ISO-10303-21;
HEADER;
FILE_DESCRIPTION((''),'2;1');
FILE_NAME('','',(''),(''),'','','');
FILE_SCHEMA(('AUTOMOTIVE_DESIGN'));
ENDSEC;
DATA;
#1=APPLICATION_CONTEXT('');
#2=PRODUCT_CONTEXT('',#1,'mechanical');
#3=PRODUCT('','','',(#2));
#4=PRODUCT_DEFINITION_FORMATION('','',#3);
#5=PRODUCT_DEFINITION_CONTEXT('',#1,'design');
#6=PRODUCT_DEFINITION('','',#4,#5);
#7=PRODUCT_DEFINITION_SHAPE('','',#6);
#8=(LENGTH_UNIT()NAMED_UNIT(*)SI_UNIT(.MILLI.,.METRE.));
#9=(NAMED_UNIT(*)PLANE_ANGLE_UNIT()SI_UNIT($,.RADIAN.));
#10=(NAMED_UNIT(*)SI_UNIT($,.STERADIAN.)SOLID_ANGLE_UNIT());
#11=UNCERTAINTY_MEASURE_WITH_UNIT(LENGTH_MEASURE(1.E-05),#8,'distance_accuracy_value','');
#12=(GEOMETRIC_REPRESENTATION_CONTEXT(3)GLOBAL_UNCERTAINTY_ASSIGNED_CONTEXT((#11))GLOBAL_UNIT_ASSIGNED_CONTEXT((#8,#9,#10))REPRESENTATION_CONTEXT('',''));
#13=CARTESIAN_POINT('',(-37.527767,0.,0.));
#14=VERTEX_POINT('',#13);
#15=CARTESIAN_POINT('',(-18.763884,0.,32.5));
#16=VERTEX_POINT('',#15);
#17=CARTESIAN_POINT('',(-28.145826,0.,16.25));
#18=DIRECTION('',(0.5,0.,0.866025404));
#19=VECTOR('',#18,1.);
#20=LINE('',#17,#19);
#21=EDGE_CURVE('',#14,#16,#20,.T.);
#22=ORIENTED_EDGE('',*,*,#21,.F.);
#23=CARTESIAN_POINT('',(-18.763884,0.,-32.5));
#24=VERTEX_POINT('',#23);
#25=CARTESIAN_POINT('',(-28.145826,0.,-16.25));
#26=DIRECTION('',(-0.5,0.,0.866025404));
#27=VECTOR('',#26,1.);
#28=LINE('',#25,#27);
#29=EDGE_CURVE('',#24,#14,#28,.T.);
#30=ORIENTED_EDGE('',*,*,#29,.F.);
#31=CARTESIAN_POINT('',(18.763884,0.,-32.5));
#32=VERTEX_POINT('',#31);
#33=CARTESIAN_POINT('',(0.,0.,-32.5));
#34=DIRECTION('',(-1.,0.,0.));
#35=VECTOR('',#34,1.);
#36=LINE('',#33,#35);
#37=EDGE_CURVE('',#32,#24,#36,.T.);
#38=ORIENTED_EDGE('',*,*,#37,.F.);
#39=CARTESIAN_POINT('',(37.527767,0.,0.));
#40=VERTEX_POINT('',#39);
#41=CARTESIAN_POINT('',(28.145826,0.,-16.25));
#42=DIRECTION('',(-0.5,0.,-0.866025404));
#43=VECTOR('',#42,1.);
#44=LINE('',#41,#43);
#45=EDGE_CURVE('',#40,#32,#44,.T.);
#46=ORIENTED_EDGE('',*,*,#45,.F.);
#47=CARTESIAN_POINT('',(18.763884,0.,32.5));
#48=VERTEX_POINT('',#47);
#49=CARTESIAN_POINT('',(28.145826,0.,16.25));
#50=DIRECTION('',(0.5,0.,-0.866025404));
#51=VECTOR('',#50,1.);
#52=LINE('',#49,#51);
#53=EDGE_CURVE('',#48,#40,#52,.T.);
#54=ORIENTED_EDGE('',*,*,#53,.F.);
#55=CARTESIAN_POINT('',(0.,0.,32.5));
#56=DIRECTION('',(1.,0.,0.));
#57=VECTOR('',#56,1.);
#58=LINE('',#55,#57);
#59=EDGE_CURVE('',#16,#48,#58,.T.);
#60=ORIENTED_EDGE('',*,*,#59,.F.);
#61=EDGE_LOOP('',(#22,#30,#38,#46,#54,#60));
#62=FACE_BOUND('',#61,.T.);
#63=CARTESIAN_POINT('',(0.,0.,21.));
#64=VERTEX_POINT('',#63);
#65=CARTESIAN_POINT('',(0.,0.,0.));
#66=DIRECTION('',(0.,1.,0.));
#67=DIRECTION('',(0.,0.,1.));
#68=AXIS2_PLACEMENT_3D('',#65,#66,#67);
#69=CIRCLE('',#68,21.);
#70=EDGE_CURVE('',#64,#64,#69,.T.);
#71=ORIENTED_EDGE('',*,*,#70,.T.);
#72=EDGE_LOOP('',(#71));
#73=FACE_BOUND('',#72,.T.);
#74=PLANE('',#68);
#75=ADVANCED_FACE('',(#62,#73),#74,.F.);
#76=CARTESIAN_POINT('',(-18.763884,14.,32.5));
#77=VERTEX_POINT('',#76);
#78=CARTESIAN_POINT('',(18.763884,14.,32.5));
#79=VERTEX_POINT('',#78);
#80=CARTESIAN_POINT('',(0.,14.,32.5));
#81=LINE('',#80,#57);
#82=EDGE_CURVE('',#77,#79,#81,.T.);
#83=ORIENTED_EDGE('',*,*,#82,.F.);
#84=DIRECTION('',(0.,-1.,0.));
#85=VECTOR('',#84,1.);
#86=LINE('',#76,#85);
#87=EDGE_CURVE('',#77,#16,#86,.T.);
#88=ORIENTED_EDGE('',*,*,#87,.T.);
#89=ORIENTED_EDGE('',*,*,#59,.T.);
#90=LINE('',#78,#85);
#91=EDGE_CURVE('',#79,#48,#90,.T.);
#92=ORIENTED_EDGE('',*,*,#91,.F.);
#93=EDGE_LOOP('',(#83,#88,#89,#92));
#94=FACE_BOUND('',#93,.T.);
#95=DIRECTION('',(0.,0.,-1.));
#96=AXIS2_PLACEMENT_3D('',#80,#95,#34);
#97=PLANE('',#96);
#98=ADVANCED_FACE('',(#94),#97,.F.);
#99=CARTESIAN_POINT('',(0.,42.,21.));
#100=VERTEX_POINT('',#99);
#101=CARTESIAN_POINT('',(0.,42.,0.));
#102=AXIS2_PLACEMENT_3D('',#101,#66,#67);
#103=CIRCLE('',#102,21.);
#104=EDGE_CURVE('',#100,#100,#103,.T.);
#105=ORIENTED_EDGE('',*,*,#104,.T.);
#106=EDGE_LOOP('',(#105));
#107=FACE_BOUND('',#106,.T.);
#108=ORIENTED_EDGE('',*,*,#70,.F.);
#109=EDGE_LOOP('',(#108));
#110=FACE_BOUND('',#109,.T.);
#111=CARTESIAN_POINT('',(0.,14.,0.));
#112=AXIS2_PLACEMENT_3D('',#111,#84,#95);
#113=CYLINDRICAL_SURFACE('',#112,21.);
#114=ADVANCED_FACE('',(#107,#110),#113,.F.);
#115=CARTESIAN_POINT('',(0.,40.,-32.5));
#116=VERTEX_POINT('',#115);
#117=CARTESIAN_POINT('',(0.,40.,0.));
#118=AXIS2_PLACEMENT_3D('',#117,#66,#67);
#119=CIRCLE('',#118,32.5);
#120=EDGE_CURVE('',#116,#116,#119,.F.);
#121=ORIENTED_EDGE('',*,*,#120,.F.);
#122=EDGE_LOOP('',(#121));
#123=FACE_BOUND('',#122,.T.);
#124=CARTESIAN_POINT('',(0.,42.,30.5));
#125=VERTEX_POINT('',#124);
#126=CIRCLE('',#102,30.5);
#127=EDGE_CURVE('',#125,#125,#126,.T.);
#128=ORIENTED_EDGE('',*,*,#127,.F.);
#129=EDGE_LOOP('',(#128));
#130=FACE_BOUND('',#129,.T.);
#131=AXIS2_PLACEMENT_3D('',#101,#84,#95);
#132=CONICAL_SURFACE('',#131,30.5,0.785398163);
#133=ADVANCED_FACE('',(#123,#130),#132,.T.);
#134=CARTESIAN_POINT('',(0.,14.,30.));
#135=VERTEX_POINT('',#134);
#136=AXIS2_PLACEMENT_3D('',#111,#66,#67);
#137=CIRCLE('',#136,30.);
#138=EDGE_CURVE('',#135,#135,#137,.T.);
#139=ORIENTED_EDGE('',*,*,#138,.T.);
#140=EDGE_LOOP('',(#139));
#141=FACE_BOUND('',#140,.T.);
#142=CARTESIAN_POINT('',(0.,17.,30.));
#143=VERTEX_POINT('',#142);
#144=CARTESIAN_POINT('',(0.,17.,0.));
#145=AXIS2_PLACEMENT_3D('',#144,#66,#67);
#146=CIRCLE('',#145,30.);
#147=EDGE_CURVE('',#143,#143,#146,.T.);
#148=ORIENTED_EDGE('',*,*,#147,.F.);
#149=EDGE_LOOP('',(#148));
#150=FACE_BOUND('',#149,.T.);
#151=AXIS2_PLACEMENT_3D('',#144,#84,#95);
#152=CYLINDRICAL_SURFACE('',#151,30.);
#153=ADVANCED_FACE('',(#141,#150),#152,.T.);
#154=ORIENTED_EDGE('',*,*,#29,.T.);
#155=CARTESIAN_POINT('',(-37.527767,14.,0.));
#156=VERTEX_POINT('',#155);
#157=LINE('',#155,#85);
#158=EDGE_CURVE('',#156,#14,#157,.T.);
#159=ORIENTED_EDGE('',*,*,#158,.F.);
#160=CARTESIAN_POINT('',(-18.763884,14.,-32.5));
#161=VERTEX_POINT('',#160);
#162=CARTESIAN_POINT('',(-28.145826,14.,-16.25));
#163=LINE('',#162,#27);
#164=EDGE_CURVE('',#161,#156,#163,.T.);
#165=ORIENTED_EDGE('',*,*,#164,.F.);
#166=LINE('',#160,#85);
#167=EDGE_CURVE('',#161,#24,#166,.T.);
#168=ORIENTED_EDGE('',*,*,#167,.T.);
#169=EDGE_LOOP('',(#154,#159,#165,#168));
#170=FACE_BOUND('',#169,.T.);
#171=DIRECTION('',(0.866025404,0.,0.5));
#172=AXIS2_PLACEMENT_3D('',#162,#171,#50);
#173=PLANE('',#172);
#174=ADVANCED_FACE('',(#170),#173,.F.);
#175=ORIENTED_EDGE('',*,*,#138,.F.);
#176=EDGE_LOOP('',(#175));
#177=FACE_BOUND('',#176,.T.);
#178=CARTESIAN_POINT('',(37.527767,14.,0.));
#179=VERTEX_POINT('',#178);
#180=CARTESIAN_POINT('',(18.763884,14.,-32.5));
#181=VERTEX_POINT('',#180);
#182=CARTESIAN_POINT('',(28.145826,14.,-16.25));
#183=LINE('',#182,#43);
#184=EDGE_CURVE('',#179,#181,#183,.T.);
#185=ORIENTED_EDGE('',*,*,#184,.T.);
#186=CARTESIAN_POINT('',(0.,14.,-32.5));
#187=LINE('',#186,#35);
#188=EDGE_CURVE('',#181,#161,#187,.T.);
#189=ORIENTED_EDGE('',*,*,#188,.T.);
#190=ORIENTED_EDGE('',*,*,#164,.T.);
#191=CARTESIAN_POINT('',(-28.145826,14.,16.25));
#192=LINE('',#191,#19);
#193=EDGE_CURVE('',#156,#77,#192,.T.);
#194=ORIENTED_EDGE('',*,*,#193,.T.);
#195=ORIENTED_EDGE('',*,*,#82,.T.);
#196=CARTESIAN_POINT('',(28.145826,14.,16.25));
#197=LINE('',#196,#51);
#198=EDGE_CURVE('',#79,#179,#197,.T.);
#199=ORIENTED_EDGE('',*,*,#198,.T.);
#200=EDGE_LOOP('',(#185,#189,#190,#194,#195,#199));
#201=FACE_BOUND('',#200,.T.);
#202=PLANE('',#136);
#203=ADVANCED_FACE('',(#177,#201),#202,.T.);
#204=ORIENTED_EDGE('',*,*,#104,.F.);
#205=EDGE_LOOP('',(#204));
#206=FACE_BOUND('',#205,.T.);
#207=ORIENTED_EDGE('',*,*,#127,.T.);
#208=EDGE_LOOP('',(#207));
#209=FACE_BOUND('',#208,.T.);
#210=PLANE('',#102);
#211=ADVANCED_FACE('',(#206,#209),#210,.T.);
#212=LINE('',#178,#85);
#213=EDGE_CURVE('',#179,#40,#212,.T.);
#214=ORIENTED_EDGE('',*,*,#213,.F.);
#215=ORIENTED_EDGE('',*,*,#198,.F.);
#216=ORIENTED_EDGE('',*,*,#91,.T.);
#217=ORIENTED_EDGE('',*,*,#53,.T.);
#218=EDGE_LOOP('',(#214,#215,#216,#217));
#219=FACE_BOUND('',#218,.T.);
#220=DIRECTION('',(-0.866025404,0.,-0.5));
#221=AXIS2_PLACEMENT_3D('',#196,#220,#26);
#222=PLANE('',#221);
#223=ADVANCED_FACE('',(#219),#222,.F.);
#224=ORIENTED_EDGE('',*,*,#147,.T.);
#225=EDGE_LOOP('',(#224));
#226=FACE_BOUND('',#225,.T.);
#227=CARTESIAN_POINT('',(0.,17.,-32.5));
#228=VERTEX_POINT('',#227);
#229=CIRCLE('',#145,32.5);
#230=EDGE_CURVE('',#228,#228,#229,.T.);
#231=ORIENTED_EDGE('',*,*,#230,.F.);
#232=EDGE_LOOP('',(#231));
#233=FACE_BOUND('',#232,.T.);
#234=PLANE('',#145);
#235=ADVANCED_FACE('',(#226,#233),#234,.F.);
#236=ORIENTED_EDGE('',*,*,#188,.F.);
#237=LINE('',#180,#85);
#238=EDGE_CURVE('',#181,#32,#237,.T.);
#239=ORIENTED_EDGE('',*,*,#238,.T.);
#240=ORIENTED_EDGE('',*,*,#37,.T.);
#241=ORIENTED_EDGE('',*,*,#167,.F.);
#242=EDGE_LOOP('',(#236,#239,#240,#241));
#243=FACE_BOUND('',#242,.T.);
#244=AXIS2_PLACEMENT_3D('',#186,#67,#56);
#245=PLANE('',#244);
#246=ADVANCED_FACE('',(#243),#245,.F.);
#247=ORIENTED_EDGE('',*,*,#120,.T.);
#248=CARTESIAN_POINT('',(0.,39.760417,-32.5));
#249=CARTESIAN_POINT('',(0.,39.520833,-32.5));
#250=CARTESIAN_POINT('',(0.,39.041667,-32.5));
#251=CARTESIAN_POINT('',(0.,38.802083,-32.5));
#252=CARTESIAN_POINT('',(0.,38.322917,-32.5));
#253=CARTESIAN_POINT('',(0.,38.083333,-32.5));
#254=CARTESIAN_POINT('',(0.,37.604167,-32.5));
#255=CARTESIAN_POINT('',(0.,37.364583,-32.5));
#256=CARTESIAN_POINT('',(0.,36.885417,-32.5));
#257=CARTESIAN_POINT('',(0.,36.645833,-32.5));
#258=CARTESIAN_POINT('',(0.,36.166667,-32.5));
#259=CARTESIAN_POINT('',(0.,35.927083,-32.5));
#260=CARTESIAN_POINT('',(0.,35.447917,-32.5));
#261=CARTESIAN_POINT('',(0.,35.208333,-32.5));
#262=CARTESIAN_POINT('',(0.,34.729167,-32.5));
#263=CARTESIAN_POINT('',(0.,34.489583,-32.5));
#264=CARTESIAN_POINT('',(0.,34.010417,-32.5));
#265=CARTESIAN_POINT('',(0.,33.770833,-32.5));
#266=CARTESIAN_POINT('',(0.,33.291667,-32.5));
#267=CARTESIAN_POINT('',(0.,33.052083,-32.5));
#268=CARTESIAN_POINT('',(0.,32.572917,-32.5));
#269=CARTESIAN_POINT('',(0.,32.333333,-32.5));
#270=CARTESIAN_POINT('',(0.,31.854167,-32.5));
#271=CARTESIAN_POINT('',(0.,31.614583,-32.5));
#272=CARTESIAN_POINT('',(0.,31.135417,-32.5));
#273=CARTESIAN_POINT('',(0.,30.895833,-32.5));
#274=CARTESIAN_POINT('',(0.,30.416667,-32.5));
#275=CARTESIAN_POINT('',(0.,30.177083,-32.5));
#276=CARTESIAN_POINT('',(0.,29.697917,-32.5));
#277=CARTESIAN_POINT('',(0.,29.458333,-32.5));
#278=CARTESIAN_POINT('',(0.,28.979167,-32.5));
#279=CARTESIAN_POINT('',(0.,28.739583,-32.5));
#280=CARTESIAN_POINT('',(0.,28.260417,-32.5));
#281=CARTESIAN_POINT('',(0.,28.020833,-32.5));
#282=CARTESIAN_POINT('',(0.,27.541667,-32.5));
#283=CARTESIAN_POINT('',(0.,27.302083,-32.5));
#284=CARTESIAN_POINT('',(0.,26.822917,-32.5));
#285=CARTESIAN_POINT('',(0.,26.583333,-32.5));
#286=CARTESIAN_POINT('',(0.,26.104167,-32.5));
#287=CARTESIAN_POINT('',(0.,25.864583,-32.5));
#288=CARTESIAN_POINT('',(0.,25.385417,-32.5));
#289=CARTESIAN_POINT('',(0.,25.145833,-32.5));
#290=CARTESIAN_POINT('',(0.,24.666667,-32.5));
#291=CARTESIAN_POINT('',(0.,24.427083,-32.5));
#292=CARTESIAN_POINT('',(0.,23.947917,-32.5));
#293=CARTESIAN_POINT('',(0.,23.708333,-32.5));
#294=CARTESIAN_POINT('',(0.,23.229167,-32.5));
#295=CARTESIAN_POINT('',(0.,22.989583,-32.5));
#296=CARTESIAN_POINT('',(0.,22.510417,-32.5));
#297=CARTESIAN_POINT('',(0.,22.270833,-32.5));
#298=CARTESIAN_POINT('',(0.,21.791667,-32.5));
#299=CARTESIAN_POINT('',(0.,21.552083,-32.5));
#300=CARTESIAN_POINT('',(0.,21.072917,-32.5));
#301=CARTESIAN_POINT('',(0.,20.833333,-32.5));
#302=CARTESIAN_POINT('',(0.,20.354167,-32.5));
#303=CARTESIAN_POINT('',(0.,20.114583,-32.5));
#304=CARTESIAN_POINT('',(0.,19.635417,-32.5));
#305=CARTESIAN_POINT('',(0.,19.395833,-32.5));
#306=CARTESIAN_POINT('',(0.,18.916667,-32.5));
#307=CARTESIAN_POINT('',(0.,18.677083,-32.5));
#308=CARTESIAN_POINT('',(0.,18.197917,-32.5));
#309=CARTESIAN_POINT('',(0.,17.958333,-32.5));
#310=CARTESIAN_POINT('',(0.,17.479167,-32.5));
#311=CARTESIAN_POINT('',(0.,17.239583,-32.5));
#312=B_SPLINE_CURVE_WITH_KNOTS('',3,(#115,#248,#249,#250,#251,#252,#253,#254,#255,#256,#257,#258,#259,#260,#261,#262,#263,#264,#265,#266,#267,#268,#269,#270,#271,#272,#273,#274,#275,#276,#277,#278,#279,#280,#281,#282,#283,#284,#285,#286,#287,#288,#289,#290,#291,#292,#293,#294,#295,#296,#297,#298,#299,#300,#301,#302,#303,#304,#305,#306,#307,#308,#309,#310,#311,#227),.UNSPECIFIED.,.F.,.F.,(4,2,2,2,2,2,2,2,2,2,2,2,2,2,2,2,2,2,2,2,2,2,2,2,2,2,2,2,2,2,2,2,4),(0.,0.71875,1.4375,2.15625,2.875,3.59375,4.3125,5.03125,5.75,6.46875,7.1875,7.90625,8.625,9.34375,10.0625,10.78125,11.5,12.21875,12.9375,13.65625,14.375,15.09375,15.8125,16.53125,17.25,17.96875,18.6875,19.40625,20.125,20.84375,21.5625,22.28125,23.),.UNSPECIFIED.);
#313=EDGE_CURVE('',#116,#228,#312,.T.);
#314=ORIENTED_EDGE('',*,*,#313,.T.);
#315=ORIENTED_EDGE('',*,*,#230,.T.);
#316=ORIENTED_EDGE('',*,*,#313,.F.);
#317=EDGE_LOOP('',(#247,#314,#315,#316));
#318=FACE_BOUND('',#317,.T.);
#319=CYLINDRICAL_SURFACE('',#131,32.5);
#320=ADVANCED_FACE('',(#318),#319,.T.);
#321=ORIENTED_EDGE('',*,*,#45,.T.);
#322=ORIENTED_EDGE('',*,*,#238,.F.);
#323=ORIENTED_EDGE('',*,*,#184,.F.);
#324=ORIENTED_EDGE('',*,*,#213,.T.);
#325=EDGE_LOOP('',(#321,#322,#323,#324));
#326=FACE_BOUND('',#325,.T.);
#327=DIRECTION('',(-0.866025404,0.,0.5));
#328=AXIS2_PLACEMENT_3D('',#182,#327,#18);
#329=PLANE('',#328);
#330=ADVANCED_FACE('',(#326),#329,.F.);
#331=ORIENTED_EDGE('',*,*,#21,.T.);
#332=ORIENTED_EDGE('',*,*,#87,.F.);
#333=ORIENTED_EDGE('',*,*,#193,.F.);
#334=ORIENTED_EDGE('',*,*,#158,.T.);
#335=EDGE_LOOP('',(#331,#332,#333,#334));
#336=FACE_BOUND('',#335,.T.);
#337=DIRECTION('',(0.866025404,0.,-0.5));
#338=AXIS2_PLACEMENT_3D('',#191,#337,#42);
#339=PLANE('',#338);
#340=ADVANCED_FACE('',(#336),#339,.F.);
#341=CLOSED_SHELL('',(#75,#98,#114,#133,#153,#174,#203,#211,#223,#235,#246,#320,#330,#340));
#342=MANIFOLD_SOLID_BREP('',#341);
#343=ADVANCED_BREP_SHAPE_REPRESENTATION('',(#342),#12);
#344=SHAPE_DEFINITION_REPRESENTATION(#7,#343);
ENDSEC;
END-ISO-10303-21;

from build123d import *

# Parameters (mm, degrees)
SKETCH1_R           = 30
SKETCH1_R_2         = 21
BOSS_EXTRUDE1_DEPTH = 14
SKETCH1_3_R         = 32.5
SKETCH1_3_R_2       = 30
SKETCH1_3_R_3       = 21
BOSS_EXTRUDE2_DEPTH = 42
CUT_EXTRUDE1_START  = 14
SKETCH1_4_R         = 32.5
SKETCH1_4_R_2       = 30
CUT_EXTRUDE1_DEPTH  = 3
CHAMFER2_SIZE       = 2


with BuildPart() as part:
    # Sketch1 → Boss-Extrude1 (new body)
    # profile 1 of 8: a face of its own
    with BuildSketch(Plane(origin=(0, 0, 0), x_dir=(1, 0, 0), z_dir=(0, 1, 0))):
        Polygon((-18.763883749, -32.5), (18.763883749, -32.5), (37.527767497, 0), (18.763883749, 32.5), (-18.763883749, 32.5), (-37.527767497, 0), align=None)
        Circle(SKETCH1_R, mode=Mode.SUBTRACT)
    # profile 2 of 8: a face of its own
    with BuildSketch(Plane(origin=(0, 0, 0), x_dir=(1, 0, 0), z_dir=(0, 1, 0))):
        Circle(SKETCH1_R)
        with Locations(Location((0, 0, 0), (0, 0, 270))):
            Circle(SKETCH1_R_2, mode=Mode.SUBTRACT)
    # profile 3 of 8: a face of its own
    with BuildSketch(Plane(origin=(0, 0, 0), x_dir=(1, 0, 0), z_dir=(0, 1, 0))):
        with BuildLine():
            ThreePointArc((-5.3e-08, 32.5), (16.250000065, 28.145825585), (28.145825725, 16.249999824))
            Line((28.145825725, 16.249999824), (18.763883749, 32.5))
            Line((18.763883749, 32.5), (-5.3e-08, 32.5))
        make_face()
    # profile 4 of 8: a face of its own
    with BuildSketch(Plane(origin=(0, 0, 0), x_dir=(1, 0, 0), z_dir=(0, 1, 0))):
        with BuildLine():
            ThreePointArc((-28.14582555, 16.250000126), (-16.24999996, 28.145825646), (-5.3e-08, 32.5))
            Line((-5.3e-08, 32.5), (-18.763883749, 32.5))
            Line((-18.763883749, 32.5), (-28.14582555, 16.250000126))
        make_face()
    # profile 5 of 8: a face of its own
    with BuildSketch(Plane(origin=(0, 0, 0), x_dir=(1, 0, 0), z_dir=(0, 1, 0))):
        with BuildLine():
            Line((28.145825318, -16.250000528), (37.527767497, 0))
            Line((37.527767497, 0), (28.145825725, 16.249999824))
            ThreePointArc((28.145825725, 16.249999824), (31.392589381, 8.411618868), (32.5, 0))
            ThreePointArc((32.5, 0), (31.392589275, -8.41161926), (28.145825318, -16.250000528))
        make_face()
    # profile 6 of 8: a face of its own
    with BuildSketch(Plane(origin=(0, 0, 0), x_dir=(1, 0, 0), z_dir=(0, 1, 0))):
        with BuildLine():
            Line((18.763883749, -32.5), (28.145825318, -16.250000528))
            ThreePointArc((28.145825318, -16.250000528), (16.249999715, -28.145825788), (-4.8e-08, -32.5))
            Line((-4.8e-08, -32.5), (18.763883749, -32.5))
        make_face()
    # profile 7 of 8: a face of its own
    with BuildSketch(Plane(origin=(0, 0, 0), x_dir=(1, 0, 0), z_dir=(0, 1, 0))):
        with BuildLine():
            Line((-18.763883749, -32.5), (-4.8e-08, -32.5))
            ThreePointArc((-4.8e-08, -32.5), (-16.250000055, -28.145825591), (-28.145825663, -16.249999931))
            Line((-28.145825663, -16.249999931), (-18.763883749, -32.5))
        make_face()
    # profile 8 of 8: a face of its own
    with BuildSketch(Plane(origin=(0, 0, 0), x_dir=(1, 0, 0), z_dir=(0, 1, 0))):
        with BuildLine():
            ThreePointArc((-28.145825663, -16.249999931), (-32.5, 1.12e-07), (-28.14582555, 16.250000126))
            Line((-28.14582555, 16.250000126), (-37.527767497, 0))
            Line((-37.527767497, 0), (-28.145825663, -16.249999931))
        make_face()
    extrude(amount=BOSS_EXTRUDE1_DEPTH)

    # Sketch1<3> → Boss-Extrude2 (add)
    # profile 1 of 2: a face of its own
    with BuildSketch(Plane(origin=(0, 0, 0), x_dir=(1, 0, 0), z_dir=(0, 1, 0))):
        with Locations(Location((0, 0, 0), (0, 0, 270))):
            Circle(SKETCH1_3_R)
        Circle(SKETCH1_3_R_2, mode=Mode.SUBTRACT)
    # profile 2 of 2: a face of its own
    with BuildSketch(Plane(origin=(0, 0, 0), x_dir=(1, 0, 0), z_dir=(0, 1, 0))):
        Circle(SKETCH1_3_R_2)
        with Locations(Location((0, 0, 0), (0, 0, 270))):
            Circle(SKETCH1_3_R_3, mode=Mode.SUBTRACT)
    extrude(amount=BOSS_EXTRUDE2_DEPTH)

    # Sketch1<4> → Cut-Extrude1 (cut)
    with BuildSketch(Plane(origin=(0, 0, 0), x_dir=(1, 0, 0), z_dir=(0, 1, 0)).offset(CUT_EXTRUDE1_START)):
        with Locations(Location((0, 0, 0), (0, 0, 90))):
            Circle(SKETCH1_4_R)
        with Locations(Location((0, 0, 0), (0, 0, 270))):
            Circle(SKETCH1_4_R_2, mode=Mode.SUBTRACT)
    extrude(amount=CUT_EXTRUDE1_DEPTH, mode=Mode.SUBTRACT)

    # Chamfer2
    chamfer2_edges = [part.edges().sort_by_distance(p)[0] for p in [
        (0, 42, -32.5),
    ]]
    chamfer(chamfer2_edges, length=CHAMFER2_SIZE)


solid = part.part
